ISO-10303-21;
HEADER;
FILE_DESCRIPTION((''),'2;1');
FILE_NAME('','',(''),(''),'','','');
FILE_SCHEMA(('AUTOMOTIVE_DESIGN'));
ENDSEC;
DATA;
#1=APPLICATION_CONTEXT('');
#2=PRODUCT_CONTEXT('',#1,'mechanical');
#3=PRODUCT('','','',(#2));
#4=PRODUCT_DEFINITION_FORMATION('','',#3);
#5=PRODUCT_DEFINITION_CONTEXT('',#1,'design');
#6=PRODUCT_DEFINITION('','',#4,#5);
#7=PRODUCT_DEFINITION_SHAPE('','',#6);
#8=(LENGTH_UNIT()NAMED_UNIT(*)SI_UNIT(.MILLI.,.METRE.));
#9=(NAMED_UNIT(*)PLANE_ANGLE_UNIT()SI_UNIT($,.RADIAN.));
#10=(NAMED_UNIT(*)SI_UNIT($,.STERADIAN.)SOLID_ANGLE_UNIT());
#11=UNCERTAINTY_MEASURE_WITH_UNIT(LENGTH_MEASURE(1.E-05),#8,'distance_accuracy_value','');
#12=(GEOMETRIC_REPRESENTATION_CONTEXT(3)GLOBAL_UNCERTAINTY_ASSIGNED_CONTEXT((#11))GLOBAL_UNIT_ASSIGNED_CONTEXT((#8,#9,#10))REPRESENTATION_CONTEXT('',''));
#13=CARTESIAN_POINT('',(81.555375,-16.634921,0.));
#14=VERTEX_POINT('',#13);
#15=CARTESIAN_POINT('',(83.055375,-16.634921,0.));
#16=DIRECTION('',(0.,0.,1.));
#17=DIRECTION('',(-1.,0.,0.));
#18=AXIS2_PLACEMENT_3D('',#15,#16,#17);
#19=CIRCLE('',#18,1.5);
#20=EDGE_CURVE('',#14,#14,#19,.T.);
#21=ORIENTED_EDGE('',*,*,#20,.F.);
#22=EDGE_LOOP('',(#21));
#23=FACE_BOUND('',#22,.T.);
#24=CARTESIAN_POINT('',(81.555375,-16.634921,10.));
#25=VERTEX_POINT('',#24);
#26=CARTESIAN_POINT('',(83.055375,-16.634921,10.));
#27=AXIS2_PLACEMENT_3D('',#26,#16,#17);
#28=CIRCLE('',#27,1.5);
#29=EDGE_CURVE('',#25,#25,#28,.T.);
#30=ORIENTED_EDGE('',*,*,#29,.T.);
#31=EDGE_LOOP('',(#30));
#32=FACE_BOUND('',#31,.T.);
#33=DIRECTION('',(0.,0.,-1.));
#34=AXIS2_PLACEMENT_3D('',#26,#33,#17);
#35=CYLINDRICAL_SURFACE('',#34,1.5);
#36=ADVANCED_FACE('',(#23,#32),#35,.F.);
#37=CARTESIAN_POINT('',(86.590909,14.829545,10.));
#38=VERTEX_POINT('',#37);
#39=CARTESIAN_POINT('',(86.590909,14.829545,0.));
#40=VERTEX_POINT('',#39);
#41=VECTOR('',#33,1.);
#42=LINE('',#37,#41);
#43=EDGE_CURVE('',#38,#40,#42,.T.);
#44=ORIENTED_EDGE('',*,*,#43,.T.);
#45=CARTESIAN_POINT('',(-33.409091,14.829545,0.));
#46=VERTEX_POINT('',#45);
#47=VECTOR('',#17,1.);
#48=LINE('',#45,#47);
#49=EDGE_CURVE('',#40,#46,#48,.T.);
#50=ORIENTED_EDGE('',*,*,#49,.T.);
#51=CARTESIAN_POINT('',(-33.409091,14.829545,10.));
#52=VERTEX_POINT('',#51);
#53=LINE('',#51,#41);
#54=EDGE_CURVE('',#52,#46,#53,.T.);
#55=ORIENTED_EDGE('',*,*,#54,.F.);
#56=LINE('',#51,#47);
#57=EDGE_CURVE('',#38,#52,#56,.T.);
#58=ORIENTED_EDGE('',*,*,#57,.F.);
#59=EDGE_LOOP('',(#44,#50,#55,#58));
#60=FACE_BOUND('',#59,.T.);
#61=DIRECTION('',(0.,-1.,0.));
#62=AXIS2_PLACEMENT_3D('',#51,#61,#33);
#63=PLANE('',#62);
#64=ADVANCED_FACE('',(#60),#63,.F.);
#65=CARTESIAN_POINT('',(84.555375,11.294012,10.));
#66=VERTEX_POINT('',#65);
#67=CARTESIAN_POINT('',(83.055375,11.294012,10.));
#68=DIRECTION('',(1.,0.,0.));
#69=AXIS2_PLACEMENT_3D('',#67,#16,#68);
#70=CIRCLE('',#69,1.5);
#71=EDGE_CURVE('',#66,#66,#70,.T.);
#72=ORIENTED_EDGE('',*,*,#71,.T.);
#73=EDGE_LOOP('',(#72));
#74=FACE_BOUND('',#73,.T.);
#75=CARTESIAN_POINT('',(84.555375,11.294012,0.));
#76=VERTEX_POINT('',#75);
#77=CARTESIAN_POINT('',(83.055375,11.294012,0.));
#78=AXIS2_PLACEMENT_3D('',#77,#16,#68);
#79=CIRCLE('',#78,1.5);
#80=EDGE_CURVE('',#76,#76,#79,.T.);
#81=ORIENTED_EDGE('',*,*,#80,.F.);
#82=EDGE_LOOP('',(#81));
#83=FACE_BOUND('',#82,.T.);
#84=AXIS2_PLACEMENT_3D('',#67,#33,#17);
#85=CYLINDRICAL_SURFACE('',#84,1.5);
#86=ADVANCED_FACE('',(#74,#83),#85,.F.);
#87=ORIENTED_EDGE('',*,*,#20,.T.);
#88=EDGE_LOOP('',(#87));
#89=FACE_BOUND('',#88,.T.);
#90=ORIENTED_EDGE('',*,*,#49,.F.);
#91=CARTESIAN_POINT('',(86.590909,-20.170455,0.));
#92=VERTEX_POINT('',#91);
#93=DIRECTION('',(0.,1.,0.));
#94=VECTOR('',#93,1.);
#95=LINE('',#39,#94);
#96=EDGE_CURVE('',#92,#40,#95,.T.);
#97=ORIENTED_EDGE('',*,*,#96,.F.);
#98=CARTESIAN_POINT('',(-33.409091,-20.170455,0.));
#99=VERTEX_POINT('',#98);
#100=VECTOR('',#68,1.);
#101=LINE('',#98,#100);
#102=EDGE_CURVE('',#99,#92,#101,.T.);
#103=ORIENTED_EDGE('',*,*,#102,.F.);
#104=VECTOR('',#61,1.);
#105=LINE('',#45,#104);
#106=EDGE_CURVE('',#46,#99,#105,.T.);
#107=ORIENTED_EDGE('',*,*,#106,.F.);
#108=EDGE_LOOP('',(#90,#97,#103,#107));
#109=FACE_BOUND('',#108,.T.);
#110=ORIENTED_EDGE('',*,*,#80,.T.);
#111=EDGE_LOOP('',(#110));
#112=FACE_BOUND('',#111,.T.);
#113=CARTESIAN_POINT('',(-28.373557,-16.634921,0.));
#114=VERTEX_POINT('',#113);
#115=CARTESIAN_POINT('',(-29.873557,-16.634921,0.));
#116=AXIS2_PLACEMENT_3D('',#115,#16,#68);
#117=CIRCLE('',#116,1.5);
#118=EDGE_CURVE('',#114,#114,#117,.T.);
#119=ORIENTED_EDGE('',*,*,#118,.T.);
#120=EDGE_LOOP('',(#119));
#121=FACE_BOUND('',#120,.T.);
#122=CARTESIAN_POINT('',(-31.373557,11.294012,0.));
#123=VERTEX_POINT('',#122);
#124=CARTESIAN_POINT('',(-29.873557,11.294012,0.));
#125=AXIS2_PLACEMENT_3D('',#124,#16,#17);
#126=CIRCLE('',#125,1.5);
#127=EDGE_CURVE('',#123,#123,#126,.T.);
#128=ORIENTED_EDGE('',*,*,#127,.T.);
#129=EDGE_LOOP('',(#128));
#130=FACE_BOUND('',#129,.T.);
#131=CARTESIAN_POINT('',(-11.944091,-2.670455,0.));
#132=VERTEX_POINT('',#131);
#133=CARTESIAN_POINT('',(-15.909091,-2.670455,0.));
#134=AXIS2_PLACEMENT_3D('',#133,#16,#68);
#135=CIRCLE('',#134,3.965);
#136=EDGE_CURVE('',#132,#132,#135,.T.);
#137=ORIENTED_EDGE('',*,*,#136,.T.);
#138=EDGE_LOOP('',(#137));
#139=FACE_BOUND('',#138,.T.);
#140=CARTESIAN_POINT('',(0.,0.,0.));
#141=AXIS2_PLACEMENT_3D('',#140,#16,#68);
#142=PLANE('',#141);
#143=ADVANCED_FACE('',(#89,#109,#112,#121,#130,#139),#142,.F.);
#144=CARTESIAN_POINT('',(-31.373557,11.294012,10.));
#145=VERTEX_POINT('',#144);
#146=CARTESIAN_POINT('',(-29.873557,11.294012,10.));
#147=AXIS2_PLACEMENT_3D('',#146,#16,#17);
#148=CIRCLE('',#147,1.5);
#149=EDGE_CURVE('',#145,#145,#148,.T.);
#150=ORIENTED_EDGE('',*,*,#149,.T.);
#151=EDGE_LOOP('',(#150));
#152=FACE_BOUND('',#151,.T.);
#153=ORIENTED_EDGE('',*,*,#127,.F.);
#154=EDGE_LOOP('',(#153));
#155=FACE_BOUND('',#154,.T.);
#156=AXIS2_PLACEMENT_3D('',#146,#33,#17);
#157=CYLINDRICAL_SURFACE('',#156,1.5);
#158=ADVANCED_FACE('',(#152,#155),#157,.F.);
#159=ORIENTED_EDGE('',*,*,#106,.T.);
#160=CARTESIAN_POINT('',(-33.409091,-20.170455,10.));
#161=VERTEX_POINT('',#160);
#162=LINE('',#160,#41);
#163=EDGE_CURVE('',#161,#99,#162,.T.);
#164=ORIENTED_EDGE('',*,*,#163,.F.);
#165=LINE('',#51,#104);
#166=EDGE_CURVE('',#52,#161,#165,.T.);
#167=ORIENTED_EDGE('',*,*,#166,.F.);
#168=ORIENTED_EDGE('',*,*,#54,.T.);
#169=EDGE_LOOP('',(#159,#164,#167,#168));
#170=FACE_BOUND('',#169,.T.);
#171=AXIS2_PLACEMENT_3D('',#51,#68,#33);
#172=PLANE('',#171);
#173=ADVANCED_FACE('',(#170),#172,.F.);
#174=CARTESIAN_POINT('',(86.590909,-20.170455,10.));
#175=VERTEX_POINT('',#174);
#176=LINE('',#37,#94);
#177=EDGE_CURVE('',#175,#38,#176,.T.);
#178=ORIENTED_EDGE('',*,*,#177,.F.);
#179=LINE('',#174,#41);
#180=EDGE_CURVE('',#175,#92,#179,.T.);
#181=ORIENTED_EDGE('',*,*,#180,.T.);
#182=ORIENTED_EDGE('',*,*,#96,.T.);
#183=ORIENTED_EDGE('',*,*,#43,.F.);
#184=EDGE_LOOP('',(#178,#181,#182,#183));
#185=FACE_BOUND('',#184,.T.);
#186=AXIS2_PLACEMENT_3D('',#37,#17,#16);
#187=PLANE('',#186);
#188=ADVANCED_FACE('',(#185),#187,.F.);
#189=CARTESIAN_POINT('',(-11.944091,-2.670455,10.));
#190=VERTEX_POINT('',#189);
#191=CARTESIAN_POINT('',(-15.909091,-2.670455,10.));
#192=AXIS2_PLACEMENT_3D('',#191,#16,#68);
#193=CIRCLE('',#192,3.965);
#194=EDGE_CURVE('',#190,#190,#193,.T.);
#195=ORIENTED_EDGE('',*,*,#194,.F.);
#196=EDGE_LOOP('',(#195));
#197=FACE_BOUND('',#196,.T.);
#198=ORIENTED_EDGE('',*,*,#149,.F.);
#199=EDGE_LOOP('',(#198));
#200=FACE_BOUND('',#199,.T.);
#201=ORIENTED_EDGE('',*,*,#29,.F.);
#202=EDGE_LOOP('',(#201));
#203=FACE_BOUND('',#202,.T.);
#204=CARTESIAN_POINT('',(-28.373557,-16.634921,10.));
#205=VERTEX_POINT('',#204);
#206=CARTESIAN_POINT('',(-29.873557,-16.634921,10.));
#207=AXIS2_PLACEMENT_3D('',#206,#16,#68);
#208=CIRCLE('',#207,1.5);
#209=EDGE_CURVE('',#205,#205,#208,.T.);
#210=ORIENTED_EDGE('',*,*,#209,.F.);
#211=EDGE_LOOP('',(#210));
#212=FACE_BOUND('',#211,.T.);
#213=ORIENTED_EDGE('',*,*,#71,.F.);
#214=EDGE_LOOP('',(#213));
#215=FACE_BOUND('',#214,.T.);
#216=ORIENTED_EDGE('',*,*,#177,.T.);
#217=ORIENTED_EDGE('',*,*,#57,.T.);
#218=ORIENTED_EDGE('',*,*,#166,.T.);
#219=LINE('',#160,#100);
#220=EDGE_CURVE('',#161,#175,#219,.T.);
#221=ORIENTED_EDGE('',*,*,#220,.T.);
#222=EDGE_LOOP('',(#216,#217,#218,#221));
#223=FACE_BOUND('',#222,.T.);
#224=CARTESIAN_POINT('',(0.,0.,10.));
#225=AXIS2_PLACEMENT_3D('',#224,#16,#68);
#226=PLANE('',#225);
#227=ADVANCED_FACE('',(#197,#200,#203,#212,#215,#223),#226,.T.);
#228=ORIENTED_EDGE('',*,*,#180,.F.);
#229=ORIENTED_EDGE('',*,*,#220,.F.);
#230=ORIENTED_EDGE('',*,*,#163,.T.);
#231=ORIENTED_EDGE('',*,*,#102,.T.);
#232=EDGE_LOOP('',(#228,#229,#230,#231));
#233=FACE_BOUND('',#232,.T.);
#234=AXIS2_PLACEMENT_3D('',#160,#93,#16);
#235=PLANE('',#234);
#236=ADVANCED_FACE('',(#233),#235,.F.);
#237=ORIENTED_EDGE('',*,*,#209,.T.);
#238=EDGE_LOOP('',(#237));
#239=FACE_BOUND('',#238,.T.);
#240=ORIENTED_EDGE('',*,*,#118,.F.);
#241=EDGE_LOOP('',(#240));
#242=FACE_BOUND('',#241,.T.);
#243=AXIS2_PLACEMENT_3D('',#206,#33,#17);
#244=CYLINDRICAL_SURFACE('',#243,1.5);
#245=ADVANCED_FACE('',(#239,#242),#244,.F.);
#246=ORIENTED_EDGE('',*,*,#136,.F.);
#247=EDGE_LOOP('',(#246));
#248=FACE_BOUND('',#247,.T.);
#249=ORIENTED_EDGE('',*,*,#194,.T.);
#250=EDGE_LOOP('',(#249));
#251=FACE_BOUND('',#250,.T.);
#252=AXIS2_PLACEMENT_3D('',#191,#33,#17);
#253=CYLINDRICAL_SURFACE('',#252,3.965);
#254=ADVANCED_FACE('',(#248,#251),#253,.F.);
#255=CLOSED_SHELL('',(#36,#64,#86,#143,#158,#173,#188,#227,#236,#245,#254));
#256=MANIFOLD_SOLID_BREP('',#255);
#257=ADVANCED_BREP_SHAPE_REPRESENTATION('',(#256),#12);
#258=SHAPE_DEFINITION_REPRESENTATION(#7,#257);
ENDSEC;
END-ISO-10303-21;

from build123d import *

# Parameters (mm, degrees)
SKETCH2_W           = 120
SKETCH2_H           = 35
SKETCH2_R           = 1.5
SKETCH2_R_2         = 3.965
BOSS_EXTRUDE1_DEPTH = 10


with BuildPart() as part:
    # Sketch2 → Boss-Extrude1 (new body)
    with BuildSketch(Plane.XY):
        with Locations((26.590909091, -2.670454545)):
            Rectangle(SKETCH2_W, SKETCH2_H)
        with Locations((-29.873557003, -16.63492064)):
            Circle(SKETCH2_R, mode=Mode.SUBTRACT)
        with Locations((-15.909090909, -2.670454545)):
            Circle(SKETCH2_R_2, mode=Mode.SUBTRACT)
        with Locations((83.055375185, 11.294011549)):
            Circle(SKETCH2_R, mode=Mode.SUBTRACT)
        with Locations(Location((-29.873557003, 11.294011549, 0), (0, 0, 180))):
            Circle(SKETCH2_R, mode=Mode.SUBTRACT)
        with Locations(Location((83.055375185, -16.63492064, 0), (0, 0, 180))):
            Circle(SKETCH2_R, mode=Mode.SUBTRACT)
    extrude(amount=BOSS_EXTRUDE1_DEPTH)


solid = part.part
